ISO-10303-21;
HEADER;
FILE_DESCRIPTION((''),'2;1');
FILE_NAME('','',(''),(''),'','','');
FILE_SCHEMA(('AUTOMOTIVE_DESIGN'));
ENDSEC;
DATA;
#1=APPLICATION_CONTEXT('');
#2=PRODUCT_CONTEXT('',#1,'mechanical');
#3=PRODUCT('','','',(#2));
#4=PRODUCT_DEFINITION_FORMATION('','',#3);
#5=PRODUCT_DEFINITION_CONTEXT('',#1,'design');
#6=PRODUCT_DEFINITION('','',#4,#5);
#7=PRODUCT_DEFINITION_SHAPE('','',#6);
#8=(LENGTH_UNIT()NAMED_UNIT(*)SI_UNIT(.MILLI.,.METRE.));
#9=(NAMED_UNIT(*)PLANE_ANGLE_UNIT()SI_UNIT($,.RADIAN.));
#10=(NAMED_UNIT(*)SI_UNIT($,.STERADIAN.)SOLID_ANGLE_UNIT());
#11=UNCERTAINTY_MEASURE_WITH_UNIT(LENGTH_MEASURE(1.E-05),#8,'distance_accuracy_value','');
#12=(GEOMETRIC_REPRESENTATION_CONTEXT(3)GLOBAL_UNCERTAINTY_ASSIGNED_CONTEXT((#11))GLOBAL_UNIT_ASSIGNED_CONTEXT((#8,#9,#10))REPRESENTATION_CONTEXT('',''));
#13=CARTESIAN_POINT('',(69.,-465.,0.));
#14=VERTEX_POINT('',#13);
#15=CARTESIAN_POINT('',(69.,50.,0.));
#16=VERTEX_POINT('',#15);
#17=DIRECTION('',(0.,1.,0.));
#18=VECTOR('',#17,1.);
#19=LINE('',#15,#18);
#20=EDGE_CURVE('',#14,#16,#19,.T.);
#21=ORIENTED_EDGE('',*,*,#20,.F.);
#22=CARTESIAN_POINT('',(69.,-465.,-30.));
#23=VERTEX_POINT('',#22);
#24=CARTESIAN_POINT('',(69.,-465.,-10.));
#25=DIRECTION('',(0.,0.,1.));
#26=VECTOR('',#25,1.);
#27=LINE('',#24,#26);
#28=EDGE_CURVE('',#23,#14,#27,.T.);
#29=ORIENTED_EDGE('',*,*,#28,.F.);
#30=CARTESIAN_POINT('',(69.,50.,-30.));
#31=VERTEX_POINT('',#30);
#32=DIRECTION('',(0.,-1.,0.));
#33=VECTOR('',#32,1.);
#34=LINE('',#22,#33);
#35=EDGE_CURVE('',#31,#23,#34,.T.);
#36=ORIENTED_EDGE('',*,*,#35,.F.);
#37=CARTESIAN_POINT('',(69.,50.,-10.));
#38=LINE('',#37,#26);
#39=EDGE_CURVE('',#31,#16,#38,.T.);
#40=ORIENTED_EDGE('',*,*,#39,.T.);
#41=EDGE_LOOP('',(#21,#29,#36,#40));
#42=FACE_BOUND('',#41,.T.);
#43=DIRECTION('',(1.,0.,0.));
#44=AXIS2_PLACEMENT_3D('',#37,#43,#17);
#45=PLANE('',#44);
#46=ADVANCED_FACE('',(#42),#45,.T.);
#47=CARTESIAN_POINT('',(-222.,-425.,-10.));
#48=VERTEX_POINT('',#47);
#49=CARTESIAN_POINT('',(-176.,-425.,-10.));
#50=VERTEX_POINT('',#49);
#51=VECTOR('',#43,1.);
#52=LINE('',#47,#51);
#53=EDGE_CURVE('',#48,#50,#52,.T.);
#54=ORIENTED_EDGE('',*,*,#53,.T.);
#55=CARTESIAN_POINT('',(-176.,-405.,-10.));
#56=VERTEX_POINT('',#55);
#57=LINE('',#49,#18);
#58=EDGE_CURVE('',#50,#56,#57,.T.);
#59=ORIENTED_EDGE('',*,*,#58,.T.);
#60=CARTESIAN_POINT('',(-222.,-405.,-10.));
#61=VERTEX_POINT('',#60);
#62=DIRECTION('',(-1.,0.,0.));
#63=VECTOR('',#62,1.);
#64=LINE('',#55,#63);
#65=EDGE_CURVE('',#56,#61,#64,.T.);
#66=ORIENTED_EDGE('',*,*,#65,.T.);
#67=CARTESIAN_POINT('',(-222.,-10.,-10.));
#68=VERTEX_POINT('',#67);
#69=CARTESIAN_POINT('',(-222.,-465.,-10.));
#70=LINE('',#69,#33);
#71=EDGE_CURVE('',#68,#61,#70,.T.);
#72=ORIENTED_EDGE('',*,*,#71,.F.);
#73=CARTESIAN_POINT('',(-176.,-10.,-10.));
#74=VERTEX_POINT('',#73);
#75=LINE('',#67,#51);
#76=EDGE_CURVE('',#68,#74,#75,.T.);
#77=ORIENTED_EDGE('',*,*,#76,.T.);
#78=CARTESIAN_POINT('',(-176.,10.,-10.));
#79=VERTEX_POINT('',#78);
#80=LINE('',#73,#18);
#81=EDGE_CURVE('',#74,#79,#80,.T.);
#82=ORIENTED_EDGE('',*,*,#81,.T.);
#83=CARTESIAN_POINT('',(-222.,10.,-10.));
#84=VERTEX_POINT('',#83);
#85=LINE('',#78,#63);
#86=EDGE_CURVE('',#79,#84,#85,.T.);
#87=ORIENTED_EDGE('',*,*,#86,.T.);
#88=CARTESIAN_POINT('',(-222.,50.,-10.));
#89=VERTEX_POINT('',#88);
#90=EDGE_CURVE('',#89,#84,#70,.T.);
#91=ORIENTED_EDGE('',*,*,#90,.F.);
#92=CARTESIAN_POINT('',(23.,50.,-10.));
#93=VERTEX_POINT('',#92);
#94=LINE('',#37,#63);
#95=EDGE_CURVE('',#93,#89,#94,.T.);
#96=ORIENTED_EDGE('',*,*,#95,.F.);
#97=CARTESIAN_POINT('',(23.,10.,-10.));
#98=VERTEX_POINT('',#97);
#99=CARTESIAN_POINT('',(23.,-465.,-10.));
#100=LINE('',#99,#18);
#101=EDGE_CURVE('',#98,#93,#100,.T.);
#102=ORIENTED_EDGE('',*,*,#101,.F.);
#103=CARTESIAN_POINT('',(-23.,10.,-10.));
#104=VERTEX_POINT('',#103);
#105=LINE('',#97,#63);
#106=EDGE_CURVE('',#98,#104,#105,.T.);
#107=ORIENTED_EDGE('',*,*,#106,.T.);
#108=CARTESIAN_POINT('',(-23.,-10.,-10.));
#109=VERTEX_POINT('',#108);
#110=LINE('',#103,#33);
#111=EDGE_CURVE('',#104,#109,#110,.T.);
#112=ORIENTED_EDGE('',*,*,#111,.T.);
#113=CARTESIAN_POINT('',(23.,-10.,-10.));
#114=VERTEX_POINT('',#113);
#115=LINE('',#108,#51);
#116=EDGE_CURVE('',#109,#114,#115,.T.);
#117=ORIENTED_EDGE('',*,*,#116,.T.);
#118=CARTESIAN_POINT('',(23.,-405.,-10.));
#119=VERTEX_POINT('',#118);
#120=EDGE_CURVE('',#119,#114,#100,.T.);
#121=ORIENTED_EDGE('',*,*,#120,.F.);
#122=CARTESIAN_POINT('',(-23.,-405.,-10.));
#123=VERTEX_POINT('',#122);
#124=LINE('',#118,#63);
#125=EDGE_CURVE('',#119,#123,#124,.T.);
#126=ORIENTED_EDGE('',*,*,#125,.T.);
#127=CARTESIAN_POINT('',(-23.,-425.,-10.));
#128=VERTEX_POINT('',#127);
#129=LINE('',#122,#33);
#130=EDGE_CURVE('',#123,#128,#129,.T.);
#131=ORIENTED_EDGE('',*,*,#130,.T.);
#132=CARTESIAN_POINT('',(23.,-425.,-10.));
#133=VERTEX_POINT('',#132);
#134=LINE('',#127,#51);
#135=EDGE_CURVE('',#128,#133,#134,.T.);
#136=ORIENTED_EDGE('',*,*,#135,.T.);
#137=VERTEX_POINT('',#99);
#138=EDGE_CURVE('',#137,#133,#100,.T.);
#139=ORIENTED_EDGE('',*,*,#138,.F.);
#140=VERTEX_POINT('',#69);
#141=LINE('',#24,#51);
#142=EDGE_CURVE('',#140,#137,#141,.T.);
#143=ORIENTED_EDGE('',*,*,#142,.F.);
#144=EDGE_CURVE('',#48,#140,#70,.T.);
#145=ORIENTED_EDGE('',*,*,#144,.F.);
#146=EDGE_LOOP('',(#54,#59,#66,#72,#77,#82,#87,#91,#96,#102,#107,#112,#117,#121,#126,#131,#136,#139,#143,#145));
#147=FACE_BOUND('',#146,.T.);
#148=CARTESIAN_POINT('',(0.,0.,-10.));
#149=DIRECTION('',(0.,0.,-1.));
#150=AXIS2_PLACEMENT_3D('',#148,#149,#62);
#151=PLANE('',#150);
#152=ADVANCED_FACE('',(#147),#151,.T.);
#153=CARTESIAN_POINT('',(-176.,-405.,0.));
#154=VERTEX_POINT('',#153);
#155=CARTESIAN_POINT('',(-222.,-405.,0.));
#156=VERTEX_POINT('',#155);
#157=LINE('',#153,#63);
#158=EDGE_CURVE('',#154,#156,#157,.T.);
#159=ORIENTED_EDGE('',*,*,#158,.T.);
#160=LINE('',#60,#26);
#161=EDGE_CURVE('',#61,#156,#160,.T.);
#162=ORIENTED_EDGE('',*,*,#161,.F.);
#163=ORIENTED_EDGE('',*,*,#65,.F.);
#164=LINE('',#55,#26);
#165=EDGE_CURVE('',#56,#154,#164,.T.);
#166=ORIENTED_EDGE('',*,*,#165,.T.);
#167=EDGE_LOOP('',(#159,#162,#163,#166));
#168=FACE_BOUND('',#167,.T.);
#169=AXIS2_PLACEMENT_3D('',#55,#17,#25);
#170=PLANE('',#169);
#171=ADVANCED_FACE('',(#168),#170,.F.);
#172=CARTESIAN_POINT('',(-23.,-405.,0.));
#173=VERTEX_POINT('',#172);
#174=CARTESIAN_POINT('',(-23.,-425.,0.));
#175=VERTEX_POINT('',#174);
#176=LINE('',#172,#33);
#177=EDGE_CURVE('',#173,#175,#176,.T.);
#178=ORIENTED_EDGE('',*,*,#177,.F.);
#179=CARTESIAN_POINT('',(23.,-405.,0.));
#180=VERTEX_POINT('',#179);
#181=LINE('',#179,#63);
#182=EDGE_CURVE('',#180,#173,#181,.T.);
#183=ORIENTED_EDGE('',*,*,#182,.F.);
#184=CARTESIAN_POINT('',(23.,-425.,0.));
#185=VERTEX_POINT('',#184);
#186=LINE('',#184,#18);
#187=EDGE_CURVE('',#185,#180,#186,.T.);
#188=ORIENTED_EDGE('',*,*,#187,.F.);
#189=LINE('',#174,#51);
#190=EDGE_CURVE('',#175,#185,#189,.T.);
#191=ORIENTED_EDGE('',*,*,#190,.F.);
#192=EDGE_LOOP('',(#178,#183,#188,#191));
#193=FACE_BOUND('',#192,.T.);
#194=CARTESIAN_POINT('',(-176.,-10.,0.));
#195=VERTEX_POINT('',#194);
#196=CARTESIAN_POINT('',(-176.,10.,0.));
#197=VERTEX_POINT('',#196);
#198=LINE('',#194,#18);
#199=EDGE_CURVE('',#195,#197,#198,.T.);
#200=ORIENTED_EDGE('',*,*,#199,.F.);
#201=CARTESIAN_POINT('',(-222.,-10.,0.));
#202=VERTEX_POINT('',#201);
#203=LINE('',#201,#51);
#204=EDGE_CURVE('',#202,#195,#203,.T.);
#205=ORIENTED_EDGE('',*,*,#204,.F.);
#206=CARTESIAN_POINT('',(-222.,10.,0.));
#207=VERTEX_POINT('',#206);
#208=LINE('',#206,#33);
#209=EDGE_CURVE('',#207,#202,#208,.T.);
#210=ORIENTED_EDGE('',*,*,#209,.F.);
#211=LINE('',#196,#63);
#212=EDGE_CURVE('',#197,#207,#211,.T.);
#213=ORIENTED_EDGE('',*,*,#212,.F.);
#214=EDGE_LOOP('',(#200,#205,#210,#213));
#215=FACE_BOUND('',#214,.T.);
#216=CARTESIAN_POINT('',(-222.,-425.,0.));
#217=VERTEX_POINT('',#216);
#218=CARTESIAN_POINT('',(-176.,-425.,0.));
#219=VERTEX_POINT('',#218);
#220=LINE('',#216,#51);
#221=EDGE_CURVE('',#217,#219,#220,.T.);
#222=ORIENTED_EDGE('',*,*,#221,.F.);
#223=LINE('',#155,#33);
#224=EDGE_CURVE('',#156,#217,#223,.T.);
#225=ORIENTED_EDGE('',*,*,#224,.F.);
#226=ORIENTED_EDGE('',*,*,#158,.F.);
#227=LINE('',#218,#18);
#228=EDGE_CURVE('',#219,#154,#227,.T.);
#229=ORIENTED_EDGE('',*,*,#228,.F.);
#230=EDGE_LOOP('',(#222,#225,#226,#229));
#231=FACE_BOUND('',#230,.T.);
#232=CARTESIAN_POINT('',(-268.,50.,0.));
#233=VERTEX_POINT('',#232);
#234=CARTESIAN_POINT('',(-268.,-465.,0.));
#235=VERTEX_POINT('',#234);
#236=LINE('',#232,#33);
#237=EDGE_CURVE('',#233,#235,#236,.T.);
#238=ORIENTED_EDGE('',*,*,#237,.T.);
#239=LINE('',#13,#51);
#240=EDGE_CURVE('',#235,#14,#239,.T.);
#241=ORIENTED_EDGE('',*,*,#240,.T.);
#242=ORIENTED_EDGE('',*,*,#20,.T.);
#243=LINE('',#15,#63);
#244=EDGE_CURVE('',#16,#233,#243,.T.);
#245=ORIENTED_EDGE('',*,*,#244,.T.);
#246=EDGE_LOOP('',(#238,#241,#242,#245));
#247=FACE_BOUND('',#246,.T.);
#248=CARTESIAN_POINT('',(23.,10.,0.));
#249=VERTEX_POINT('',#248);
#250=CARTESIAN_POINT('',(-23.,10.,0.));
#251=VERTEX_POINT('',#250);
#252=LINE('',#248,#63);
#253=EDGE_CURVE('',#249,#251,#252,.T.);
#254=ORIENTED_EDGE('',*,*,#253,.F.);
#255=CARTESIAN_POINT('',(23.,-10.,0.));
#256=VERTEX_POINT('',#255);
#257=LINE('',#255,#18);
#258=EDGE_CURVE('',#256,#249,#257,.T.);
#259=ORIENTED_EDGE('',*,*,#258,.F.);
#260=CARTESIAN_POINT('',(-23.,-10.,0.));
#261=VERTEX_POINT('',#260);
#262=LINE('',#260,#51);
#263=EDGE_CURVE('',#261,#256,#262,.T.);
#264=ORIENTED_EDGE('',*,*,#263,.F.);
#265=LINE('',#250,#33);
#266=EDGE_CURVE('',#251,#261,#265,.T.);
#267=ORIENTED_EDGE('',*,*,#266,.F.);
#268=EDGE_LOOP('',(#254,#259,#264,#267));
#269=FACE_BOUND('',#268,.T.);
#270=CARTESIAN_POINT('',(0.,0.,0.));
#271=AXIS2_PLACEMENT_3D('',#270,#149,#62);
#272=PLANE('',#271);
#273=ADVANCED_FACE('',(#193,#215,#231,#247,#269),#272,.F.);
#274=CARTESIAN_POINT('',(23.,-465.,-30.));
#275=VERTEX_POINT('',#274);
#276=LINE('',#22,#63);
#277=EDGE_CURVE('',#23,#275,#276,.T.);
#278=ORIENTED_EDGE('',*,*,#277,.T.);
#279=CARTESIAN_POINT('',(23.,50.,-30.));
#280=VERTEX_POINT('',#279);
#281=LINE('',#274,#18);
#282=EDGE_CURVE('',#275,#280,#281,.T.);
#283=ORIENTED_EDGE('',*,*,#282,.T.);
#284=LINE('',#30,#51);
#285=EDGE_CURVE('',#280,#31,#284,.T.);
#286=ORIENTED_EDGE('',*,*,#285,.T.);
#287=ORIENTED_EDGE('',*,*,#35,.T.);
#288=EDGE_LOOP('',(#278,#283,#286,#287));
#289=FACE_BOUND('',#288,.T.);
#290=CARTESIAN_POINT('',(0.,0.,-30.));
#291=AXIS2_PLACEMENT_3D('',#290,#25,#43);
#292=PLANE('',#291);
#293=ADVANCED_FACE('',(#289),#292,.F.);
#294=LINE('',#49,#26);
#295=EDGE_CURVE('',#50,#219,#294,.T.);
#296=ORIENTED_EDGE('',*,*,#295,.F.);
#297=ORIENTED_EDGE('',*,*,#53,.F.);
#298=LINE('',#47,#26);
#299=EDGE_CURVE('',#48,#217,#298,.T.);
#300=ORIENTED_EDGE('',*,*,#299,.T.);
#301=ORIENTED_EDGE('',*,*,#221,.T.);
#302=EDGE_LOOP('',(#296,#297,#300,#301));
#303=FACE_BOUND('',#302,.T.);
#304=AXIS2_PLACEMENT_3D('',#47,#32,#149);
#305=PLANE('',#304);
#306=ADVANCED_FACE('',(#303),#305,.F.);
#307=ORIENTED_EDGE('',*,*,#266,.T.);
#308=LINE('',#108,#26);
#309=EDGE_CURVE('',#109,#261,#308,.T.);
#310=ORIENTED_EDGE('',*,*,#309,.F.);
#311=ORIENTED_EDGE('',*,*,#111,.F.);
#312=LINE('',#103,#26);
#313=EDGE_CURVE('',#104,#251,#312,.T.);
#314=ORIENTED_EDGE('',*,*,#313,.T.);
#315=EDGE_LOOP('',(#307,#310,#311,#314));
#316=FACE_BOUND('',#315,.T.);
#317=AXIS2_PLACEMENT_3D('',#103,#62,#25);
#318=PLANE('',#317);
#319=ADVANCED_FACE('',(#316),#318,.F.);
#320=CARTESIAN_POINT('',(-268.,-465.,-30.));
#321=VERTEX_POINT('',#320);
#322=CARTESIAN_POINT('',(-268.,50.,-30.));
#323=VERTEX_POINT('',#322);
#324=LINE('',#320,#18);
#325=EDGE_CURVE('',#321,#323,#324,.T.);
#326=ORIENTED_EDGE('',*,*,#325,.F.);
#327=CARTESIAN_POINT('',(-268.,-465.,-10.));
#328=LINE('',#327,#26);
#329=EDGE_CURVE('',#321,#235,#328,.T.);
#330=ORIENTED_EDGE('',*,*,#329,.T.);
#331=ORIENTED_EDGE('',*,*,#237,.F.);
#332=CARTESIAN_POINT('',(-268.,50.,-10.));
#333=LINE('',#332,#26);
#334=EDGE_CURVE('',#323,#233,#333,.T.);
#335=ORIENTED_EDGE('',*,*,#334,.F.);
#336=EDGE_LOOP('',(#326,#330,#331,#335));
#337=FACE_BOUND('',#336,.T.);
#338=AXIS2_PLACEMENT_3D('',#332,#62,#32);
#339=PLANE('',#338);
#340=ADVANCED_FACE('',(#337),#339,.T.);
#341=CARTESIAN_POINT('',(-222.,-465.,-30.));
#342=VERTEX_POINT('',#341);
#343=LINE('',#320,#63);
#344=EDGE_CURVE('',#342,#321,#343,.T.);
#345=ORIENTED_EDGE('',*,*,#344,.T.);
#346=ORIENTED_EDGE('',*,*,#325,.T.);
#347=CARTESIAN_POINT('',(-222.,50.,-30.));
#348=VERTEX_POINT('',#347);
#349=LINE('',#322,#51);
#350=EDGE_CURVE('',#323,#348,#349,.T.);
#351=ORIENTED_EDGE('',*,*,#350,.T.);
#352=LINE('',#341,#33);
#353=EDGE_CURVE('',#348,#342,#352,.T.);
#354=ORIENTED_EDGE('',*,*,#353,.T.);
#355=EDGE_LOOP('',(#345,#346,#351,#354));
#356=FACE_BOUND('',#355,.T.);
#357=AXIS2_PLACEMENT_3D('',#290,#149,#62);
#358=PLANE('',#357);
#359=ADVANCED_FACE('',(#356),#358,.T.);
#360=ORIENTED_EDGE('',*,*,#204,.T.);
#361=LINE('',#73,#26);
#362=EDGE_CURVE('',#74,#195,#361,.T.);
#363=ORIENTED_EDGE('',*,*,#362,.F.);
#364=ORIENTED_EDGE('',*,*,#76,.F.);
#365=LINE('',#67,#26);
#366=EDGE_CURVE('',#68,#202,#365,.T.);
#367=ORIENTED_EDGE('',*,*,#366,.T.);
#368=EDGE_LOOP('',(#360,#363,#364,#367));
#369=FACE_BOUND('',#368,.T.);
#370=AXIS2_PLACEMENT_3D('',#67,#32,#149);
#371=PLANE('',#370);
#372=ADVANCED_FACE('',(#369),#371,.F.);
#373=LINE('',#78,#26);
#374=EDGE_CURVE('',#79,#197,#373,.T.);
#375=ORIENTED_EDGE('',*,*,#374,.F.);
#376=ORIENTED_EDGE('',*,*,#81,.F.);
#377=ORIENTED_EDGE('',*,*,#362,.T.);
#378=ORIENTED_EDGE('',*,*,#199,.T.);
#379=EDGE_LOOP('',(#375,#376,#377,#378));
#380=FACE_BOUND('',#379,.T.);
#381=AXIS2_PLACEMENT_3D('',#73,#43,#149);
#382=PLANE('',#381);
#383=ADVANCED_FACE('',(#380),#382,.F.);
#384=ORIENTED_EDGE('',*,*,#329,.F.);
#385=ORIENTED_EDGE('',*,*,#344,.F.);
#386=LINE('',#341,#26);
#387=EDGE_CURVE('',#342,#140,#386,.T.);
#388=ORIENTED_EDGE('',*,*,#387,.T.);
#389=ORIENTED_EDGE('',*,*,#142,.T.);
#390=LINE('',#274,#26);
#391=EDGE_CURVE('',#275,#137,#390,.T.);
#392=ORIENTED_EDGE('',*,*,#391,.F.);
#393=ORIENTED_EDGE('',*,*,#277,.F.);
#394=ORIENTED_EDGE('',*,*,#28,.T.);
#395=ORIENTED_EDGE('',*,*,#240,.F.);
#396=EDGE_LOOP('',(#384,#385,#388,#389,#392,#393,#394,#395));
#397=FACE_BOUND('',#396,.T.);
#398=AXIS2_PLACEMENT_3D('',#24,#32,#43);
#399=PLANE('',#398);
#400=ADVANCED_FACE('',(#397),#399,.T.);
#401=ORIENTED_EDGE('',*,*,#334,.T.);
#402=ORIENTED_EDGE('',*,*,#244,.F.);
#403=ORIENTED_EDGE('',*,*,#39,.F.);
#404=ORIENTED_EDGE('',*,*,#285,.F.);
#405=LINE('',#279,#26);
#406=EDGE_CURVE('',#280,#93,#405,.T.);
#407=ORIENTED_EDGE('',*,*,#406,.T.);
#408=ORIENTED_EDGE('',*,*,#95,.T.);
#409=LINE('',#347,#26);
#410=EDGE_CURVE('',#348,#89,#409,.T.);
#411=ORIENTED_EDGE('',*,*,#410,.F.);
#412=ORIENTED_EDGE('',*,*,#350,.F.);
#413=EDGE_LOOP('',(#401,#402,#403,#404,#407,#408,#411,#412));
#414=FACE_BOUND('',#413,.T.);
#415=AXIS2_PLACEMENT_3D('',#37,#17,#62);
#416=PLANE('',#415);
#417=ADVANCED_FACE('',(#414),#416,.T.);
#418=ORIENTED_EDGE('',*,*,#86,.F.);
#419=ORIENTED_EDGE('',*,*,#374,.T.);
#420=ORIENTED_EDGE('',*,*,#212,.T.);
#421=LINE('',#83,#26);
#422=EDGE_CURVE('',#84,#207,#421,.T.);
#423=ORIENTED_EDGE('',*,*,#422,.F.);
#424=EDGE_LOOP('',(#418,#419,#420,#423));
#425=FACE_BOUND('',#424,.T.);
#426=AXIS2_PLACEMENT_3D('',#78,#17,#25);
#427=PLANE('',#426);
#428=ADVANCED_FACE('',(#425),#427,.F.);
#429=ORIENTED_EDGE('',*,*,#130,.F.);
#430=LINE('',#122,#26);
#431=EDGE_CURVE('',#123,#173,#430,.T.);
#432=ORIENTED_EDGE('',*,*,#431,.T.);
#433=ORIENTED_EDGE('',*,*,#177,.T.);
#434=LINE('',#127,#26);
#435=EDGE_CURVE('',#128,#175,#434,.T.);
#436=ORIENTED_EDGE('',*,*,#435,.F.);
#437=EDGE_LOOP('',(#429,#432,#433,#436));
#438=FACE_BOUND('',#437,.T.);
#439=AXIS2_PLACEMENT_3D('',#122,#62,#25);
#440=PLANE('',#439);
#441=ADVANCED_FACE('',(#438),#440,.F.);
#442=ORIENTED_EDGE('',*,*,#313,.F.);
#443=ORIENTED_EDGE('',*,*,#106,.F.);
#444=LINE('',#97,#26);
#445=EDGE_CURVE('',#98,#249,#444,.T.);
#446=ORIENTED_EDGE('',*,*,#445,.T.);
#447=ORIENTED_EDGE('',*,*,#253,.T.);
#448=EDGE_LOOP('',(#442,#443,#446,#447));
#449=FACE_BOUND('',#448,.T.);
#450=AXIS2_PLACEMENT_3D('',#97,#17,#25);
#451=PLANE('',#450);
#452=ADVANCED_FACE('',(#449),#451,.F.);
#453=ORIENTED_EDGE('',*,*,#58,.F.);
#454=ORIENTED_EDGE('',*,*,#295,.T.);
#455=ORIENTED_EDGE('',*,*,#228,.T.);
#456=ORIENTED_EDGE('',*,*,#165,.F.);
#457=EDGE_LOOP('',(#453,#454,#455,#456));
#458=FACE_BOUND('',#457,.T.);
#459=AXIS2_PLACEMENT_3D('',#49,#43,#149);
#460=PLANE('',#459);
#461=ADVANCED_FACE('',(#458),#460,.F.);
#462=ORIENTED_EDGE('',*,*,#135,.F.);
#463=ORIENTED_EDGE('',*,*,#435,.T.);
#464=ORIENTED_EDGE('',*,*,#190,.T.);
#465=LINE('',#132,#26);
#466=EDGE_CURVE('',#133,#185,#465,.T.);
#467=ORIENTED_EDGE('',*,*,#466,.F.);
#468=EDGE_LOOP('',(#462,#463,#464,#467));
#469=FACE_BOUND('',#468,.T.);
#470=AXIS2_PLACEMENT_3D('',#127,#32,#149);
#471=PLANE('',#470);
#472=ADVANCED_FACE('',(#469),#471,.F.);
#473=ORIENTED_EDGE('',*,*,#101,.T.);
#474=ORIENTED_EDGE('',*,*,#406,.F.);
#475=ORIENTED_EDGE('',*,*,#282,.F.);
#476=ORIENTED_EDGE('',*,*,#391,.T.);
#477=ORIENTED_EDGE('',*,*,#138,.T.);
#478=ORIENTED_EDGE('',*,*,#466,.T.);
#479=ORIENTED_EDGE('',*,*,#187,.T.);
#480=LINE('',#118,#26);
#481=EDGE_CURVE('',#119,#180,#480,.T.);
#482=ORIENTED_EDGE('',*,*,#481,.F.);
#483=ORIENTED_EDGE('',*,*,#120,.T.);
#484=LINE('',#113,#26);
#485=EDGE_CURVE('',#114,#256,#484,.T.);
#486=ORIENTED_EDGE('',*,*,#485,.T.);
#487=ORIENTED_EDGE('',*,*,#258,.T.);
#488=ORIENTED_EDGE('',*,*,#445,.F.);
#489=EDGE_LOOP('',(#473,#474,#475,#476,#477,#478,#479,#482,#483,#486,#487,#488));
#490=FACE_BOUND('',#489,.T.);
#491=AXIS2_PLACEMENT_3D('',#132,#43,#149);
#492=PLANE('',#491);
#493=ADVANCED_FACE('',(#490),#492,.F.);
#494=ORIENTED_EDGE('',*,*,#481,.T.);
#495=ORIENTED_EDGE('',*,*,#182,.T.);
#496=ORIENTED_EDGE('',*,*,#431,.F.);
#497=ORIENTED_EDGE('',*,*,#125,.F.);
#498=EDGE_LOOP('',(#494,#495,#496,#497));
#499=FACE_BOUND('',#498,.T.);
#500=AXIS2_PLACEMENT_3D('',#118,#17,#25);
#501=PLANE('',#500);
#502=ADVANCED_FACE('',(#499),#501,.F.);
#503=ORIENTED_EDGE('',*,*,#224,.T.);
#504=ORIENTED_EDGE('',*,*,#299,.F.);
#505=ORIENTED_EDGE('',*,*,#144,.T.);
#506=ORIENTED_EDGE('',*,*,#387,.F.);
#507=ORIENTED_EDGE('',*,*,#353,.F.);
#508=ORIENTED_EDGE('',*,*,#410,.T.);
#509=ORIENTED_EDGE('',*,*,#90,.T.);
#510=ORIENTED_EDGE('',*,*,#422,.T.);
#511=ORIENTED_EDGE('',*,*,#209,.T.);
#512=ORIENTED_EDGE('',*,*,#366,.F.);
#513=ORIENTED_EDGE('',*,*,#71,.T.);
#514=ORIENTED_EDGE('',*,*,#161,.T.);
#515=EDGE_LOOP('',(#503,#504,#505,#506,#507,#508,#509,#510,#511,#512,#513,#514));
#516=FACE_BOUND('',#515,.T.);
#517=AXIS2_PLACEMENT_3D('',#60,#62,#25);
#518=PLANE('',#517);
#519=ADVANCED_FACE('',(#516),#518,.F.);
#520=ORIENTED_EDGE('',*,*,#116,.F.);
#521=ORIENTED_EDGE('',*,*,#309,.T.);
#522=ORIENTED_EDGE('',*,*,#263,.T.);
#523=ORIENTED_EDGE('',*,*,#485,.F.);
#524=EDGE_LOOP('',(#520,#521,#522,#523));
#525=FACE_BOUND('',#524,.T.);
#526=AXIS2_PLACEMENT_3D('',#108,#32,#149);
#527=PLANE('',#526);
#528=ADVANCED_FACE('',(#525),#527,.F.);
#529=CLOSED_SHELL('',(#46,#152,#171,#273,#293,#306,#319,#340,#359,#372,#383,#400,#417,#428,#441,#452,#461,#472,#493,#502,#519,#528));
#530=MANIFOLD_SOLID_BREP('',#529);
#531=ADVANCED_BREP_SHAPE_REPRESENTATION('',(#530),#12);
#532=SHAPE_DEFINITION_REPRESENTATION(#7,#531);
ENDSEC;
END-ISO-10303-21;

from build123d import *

# Parameters (mm, degrees)
SKETCH1_W           = 337
SKETCH1_H           = 515
SKETCH1_W_2         = 46
SKETCH1_H_2         = 20
BOSS_EXTRUDE1_DEPTH = 10
SKETCH2_W           = 46
SKETCH2_H           = 515
BOSS_EXTRUDE2_DEPTH = 20


with BuildPart() as part:
    # Sketch1 → Boss-Extrude1 (new body)
    with BuildSketch(Plane.XY):
        with Locations((-99.5, -207.5)):
            Rectangle(SKETCH1_W, SKETCH1_H)
        with Locations((-199, -415)):
            Rectangle(SKETCH1_W_2, SKETCH1_H_2, mode=Mode.SUBTRACT)
        with Locations((0, -415)):
            Rectangle(SKETCH1_W_2, SKETCH1_H_2, mode=Mode.SUBTRACT)
        with Locations((-199, 0)):
            Rectangle(SKETCH1_W_2, SKETCH1_H_2, mode=Mode.SUBTRACT)
        Rectangle(SKETCH1_W_2, SKETCH1_H_2, mode=Mode.SUBTRACT)
    extrude(amount=-BOSS_EXTRUDE1_DEPTH)

    # Sketch2 → Boss-Extrude2 (add)
    with BuildSketch(Plane(origin=(0, 0, -10), x_dir=(-1, 0, 0), z_dir=(0, 0, -1))):
        with Locations((245, -207.5)):
            Rectangle(SKETCH2_W, SKETCH2_H)
        with Locations((-46, -207.5)):
            Rectangle(SKETCH2_W, SKETCH2_H)
    extrude(amount=BOSS_EXTRUDE2_DEPTH)


solid = part.part
